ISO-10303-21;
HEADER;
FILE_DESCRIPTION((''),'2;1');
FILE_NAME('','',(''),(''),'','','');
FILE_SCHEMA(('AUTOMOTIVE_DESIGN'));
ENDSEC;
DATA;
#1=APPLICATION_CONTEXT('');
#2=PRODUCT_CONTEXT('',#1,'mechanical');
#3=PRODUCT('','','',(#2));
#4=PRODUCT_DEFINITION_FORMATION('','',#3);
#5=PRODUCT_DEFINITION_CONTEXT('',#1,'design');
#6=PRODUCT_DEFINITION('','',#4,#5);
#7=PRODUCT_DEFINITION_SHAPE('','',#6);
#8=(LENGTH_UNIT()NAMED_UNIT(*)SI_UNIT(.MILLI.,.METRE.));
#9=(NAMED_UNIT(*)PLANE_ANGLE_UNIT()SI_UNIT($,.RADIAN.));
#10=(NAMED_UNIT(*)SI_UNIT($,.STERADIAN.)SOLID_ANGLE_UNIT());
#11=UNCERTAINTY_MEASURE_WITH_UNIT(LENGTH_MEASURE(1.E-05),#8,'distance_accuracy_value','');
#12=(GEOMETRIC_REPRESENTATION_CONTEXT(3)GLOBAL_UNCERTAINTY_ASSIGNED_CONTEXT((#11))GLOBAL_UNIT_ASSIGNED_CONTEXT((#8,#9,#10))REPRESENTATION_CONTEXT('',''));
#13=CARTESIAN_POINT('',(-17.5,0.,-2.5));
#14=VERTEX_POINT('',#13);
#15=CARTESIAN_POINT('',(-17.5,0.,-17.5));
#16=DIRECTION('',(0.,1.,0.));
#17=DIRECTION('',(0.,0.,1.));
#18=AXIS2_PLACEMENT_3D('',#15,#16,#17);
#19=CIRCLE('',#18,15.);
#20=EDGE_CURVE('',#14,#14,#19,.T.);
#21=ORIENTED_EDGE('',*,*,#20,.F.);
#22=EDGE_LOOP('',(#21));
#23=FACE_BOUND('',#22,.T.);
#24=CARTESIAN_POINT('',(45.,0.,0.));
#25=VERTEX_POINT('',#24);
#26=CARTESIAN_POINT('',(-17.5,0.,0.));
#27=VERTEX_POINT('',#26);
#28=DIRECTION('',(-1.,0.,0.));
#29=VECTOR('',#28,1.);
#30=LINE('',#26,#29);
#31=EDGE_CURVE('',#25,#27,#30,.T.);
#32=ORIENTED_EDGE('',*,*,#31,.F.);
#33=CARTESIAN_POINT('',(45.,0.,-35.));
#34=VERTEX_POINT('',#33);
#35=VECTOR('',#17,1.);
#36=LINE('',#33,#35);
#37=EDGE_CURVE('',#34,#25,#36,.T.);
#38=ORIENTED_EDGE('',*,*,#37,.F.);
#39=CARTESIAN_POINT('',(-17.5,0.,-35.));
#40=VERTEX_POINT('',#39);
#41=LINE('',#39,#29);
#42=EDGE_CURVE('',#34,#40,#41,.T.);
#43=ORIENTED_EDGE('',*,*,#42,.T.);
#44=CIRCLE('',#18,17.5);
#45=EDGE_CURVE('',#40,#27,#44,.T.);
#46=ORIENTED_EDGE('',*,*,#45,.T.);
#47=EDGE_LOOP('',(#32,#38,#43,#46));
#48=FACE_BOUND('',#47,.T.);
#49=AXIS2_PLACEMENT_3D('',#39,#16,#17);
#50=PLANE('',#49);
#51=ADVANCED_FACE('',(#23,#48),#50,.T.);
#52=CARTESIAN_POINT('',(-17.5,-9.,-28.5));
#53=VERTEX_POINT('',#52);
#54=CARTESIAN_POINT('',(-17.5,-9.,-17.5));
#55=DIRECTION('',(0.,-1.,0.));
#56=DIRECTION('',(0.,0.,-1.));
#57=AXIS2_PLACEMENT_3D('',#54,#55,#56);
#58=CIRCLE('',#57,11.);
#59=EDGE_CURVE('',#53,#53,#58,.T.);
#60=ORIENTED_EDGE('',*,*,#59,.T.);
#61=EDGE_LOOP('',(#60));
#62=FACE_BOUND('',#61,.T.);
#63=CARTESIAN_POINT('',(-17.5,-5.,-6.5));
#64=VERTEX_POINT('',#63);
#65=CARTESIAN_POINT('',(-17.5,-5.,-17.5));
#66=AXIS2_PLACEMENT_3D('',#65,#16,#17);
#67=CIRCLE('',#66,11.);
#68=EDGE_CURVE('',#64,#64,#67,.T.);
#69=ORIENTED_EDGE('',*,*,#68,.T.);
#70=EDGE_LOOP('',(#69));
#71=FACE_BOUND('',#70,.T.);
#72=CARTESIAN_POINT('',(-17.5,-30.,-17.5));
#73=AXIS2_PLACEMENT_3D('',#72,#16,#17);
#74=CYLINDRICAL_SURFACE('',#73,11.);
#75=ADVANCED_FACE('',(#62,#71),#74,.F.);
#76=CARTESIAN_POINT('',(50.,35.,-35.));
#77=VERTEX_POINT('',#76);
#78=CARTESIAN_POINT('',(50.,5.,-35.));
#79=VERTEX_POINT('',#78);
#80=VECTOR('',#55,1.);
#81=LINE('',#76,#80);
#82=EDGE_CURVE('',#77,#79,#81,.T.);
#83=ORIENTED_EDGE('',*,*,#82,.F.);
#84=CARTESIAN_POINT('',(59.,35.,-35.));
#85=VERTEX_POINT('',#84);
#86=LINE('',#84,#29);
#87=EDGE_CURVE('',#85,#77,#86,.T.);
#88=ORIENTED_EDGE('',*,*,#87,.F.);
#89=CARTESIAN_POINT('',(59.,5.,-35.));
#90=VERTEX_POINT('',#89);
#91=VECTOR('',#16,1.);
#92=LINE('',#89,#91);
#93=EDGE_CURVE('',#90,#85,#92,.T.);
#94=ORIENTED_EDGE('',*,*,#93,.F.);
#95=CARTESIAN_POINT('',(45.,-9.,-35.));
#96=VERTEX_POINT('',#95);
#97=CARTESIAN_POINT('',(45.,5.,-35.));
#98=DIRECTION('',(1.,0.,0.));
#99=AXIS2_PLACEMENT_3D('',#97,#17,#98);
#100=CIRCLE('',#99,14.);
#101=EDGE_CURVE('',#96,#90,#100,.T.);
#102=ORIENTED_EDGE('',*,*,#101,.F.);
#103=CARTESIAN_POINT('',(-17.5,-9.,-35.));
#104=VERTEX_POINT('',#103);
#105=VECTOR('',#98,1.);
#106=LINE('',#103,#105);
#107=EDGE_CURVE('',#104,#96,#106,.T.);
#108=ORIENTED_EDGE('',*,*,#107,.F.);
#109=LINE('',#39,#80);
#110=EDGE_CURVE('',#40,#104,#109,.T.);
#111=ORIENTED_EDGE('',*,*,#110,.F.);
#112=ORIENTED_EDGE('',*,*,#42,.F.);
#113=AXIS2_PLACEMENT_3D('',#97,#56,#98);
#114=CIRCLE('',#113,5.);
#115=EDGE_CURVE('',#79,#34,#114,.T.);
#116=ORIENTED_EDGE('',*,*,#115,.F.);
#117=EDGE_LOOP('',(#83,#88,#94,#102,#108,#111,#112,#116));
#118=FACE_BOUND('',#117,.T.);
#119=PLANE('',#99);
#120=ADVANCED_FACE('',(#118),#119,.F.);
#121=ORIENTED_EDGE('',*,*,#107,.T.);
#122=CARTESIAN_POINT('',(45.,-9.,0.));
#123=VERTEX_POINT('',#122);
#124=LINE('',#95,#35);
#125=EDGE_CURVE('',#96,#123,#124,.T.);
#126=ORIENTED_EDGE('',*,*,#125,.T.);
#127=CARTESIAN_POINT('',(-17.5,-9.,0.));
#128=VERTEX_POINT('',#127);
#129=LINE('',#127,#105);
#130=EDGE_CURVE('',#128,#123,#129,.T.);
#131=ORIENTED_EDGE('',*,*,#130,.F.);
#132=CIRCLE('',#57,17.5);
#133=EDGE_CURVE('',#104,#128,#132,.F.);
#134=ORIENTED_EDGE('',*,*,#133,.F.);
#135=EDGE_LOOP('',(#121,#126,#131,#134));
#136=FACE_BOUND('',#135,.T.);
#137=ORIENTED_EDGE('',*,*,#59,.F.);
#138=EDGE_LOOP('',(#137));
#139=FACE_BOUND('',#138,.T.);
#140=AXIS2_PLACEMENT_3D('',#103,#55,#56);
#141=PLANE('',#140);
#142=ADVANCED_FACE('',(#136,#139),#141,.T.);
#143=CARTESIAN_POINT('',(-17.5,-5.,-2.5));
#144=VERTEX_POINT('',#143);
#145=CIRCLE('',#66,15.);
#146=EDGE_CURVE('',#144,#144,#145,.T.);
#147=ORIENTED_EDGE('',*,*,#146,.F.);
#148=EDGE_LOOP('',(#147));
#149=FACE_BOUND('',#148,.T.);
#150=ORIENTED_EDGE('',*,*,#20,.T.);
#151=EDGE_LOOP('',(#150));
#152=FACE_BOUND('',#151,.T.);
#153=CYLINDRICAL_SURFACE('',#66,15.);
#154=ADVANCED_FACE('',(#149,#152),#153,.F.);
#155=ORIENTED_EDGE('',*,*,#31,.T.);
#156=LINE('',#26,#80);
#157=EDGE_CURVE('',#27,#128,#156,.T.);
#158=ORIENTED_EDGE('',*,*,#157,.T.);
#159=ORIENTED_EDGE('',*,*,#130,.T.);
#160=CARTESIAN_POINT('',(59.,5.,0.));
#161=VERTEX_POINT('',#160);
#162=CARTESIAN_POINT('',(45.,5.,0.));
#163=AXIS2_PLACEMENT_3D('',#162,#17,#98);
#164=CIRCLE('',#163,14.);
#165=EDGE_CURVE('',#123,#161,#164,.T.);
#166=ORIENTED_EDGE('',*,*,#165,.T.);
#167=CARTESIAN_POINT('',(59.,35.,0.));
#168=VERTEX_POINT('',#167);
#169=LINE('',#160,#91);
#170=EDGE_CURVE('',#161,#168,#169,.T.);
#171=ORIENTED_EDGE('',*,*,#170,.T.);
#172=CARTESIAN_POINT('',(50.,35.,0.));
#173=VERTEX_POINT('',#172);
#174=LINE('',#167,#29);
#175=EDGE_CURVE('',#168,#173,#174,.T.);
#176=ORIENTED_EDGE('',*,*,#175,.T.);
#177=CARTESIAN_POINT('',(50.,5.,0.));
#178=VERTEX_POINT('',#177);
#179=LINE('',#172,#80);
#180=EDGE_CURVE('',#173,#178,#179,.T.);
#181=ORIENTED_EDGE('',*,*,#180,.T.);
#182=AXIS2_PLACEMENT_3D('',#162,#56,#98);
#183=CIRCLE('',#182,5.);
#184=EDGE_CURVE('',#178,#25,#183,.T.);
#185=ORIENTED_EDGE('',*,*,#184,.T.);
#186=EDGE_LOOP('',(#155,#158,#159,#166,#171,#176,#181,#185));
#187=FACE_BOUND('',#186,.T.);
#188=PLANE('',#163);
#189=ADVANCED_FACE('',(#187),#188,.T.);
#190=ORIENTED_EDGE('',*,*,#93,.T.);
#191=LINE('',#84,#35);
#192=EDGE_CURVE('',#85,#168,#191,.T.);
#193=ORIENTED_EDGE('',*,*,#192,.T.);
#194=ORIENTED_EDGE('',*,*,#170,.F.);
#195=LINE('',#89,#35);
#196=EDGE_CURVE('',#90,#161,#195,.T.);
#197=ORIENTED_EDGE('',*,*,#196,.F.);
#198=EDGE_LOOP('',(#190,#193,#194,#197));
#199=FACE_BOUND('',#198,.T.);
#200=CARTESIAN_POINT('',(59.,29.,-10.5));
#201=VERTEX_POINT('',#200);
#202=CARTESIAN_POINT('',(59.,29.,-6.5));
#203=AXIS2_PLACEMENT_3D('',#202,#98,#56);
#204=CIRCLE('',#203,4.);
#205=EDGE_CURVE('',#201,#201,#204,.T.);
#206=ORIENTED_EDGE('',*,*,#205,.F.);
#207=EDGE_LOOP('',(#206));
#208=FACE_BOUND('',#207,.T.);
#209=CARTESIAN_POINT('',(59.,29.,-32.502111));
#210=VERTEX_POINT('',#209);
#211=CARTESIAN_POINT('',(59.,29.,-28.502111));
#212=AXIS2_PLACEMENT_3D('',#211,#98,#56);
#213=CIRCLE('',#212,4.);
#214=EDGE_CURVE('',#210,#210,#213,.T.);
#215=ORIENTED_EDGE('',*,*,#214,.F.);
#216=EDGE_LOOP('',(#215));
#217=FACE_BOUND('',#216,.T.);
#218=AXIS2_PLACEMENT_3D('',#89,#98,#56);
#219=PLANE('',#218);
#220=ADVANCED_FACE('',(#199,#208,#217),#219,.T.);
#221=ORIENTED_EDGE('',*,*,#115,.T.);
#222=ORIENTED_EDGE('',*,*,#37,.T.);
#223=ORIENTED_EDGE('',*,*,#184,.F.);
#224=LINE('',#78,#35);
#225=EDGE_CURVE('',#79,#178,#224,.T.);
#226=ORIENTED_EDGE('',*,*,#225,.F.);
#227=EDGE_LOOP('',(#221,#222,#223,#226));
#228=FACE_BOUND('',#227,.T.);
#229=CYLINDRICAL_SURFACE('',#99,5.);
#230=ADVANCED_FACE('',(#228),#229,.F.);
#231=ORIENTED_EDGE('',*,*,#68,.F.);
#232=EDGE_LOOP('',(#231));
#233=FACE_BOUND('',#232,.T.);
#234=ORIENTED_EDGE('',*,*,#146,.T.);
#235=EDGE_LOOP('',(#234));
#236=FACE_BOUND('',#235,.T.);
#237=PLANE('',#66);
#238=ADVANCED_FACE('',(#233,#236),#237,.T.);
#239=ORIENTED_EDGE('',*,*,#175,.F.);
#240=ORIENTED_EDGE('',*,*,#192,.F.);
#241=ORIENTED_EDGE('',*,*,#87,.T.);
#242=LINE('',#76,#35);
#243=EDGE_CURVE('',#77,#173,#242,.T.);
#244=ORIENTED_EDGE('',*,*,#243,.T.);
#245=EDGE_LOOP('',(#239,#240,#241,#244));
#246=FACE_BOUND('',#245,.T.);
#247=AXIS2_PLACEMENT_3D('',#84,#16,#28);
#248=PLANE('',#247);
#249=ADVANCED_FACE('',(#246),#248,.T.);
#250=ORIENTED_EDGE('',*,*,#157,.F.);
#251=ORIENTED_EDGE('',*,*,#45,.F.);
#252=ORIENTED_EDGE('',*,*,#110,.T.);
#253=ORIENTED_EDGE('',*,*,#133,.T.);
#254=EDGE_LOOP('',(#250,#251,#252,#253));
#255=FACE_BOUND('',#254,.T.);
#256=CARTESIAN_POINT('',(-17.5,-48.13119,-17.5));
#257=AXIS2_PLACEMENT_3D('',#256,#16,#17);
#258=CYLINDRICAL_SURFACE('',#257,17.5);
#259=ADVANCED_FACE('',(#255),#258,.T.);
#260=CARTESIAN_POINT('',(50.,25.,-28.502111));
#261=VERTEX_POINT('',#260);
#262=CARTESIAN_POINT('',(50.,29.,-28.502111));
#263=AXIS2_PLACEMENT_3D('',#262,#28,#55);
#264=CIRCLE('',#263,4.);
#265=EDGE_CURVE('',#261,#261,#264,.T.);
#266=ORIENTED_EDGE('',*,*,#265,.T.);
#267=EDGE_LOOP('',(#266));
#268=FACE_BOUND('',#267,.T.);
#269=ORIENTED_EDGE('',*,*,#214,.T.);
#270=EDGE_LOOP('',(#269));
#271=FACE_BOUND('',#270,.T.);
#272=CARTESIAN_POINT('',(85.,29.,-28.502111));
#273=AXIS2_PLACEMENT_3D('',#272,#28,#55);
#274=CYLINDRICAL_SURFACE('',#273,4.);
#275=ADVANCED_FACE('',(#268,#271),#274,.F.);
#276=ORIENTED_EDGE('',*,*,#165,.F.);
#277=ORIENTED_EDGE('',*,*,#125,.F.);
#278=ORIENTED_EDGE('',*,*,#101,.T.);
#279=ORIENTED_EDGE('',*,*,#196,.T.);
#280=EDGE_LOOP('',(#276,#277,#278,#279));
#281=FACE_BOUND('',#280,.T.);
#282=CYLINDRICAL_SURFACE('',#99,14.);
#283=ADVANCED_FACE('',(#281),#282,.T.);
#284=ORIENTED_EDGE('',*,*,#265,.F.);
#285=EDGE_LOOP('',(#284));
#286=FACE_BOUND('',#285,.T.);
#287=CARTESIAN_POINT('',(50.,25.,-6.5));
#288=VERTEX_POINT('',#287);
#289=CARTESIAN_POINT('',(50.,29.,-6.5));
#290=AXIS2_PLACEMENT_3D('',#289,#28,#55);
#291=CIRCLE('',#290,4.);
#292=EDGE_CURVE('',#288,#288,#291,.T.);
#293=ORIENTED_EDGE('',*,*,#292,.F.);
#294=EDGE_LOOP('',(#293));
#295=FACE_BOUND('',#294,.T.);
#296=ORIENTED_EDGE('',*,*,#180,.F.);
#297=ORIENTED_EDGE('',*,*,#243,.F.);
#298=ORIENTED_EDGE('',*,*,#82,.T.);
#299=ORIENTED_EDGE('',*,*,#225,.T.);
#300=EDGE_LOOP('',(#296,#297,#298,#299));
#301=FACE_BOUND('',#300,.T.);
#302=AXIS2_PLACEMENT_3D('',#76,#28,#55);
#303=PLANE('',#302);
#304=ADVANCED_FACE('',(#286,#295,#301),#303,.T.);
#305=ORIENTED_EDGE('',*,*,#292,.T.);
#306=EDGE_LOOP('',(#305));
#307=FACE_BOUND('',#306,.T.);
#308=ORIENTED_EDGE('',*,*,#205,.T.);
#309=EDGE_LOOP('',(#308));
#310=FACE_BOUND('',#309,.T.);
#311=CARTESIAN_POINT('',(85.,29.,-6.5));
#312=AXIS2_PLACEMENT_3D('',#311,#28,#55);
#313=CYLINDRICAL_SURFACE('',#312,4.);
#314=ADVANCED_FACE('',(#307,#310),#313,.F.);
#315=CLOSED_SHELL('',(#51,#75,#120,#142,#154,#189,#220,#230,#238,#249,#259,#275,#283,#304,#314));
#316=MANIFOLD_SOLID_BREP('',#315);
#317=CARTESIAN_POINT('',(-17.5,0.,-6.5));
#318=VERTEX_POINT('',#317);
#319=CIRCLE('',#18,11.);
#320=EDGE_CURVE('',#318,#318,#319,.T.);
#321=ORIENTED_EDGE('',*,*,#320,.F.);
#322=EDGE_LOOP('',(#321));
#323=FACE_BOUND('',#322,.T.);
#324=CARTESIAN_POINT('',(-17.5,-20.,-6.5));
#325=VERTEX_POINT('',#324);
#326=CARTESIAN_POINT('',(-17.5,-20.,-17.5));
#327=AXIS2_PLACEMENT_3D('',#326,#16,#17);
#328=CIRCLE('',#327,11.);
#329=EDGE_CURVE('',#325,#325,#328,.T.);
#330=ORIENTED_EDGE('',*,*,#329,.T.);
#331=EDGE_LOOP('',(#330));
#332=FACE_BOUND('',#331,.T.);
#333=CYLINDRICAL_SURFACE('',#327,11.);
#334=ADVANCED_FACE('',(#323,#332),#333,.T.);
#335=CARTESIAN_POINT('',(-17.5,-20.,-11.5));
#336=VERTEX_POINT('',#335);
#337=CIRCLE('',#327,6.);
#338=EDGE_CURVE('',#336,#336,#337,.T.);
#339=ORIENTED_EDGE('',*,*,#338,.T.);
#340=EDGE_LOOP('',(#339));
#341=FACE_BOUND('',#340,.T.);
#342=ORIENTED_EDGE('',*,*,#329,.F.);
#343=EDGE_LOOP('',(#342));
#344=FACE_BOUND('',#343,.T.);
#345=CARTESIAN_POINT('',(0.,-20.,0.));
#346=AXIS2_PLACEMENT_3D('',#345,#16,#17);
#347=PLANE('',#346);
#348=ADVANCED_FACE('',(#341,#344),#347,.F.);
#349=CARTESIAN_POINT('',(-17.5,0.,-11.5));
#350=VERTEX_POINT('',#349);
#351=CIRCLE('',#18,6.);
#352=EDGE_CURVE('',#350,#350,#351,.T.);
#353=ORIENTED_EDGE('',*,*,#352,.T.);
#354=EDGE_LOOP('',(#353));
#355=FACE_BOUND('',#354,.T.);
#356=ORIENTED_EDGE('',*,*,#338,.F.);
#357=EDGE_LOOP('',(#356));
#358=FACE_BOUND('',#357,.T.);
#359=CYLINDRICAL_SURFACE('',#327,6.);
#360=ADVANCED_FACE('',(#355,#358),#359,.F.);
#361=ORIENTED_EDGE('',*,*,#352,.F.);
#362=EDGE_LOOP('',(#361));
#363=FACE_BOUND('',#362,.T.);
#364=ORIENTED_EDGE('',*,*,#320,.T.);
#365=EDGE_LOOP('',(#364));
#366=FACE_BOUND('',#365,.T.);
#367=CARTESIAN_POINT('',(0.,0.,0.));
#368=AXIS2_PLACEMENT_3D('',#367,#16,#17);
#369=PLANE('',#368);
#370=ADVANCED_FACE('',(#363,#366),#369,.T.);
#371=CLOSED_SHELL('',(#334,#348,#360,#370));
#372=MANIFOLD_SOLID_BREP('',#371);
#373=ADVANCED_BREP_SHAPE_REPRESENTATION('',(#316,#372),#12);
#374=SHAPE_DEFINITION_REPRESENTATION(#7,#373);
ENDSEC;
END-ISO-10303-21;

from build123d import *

# Parameters (mm, degrees)
BOSS_EXTRUDE1_DEPTH = 35
BOSS_EXTRUDE2_DEPTH = 9
SKETCH12_R          = 11
SKETCH12_R_2        = 6
BOSS_EXTRUDE3_DEPTH = 20
SKETCH7_R           = 4
CUT_EXTRUDE1_DEPTH  = 35
SKETCH9_R           = 15
CUT_EXTRUDE2_DEPTH  = 5
SKETCH10_R          = 11
CUT_EXTRUDE3_DEPTH  = 25


with BuildPart() as part:
    # Sketch5 → Boss-Extrude1 (new body)
    with BuildSketch(Plane.XY):
        with BuildLine():
            Line((-17.5, 0), (-17.5, -9))
            Line((-17.5, -9), (45, -9))
            ThreePointArc((45, -9), (54.899494937, -4.899494937), (59, 5))
            Line((59, 5), (59, 35))
            Line((59, 35), (50, 35))
            Line((50, 35), (50, 5))
            ThreePointArc((50, 5), (48.535533906, 1.464466094), (45, 0))
            Line((45, 0), (-17.5, 0))
        make_face()
    extrude(amount=-BOSS_EXTRUDE1_DEPTH)

    # Sketch8 → Boss-Extrude2 (add)
    with BuildSketch(Plane(origin=(0, 0, 0), x_dir=(1, 0, 0), z_dir=(0, 1, 0))):
        with BuildLine():
            Line((-17.5, 35), (-17.5, 0))
            ThreePointArc((-17.5, 0), (-35, 17.5), (-17.5, 35))
        make_face()
    extrude(amount=-BOSS_EXTRUDE2_DEPTH)

    # Sketch7 → Cut-Extrude1 (cut)
    with BuildSketch(Plane.ZY.offset(-50)):
        with Locations((-28.502110987, 29)):
            Circle(SKETCH7_R)
        with Locations((-6.5, 29)):
            Circle(SKETCH7_R)
    extrude(amount=-CUT_EXTRUDE1_DEPTH, mode=Mode.SUBTRACT)

    # Sketch9 → Cut-Extrude2 (cut)
    with BuildSketch(Plane(origin=(0, 0, 0), x_dir=(1, 0, 0), z_dir=(0, 1, 0))):
        with Locations((-17.5, 17.5)):
            Circle(SKETCH9_R)
    extrude(amount=-CUT_EXTRUDE2_DEPTH, mode=Mode.SUBTRACT)

    # Sketch10 → Cut-Extrude3 (cut)
    with BuildSketch(Plane(origin=(0, -5, 0), x_dir=(1, 0, 0), z_dir=(0, 1, 0))):
        with Locations((-17.5, 17.5)):
            Circle(SKETCH10_R)
    extrude(amount=-CUT_EXTRUDE3_DEPTH, mode=Mode.SUBTRACT)


with BuildPart() as body_2:
    # Sketch12 → Boss-Extrude3 (new body)
    with BuildSketch(Plane(origin=(0, 0, 0), x_dir=(1, 0, 0), z_dir=(0, 1, 0))):
        with Locations((-17.5, 17.5)):
            Circle(SKETCH12_R)
        with Locations((-17.5, 17.5)):
            Circle(SKETCH12_R_2, mode=Mode.SUBTRACT)
    extrude(amount=-BOSS_EXTRUDE3_DEPTH)


solid = Compound([part.part, body_2.part])
